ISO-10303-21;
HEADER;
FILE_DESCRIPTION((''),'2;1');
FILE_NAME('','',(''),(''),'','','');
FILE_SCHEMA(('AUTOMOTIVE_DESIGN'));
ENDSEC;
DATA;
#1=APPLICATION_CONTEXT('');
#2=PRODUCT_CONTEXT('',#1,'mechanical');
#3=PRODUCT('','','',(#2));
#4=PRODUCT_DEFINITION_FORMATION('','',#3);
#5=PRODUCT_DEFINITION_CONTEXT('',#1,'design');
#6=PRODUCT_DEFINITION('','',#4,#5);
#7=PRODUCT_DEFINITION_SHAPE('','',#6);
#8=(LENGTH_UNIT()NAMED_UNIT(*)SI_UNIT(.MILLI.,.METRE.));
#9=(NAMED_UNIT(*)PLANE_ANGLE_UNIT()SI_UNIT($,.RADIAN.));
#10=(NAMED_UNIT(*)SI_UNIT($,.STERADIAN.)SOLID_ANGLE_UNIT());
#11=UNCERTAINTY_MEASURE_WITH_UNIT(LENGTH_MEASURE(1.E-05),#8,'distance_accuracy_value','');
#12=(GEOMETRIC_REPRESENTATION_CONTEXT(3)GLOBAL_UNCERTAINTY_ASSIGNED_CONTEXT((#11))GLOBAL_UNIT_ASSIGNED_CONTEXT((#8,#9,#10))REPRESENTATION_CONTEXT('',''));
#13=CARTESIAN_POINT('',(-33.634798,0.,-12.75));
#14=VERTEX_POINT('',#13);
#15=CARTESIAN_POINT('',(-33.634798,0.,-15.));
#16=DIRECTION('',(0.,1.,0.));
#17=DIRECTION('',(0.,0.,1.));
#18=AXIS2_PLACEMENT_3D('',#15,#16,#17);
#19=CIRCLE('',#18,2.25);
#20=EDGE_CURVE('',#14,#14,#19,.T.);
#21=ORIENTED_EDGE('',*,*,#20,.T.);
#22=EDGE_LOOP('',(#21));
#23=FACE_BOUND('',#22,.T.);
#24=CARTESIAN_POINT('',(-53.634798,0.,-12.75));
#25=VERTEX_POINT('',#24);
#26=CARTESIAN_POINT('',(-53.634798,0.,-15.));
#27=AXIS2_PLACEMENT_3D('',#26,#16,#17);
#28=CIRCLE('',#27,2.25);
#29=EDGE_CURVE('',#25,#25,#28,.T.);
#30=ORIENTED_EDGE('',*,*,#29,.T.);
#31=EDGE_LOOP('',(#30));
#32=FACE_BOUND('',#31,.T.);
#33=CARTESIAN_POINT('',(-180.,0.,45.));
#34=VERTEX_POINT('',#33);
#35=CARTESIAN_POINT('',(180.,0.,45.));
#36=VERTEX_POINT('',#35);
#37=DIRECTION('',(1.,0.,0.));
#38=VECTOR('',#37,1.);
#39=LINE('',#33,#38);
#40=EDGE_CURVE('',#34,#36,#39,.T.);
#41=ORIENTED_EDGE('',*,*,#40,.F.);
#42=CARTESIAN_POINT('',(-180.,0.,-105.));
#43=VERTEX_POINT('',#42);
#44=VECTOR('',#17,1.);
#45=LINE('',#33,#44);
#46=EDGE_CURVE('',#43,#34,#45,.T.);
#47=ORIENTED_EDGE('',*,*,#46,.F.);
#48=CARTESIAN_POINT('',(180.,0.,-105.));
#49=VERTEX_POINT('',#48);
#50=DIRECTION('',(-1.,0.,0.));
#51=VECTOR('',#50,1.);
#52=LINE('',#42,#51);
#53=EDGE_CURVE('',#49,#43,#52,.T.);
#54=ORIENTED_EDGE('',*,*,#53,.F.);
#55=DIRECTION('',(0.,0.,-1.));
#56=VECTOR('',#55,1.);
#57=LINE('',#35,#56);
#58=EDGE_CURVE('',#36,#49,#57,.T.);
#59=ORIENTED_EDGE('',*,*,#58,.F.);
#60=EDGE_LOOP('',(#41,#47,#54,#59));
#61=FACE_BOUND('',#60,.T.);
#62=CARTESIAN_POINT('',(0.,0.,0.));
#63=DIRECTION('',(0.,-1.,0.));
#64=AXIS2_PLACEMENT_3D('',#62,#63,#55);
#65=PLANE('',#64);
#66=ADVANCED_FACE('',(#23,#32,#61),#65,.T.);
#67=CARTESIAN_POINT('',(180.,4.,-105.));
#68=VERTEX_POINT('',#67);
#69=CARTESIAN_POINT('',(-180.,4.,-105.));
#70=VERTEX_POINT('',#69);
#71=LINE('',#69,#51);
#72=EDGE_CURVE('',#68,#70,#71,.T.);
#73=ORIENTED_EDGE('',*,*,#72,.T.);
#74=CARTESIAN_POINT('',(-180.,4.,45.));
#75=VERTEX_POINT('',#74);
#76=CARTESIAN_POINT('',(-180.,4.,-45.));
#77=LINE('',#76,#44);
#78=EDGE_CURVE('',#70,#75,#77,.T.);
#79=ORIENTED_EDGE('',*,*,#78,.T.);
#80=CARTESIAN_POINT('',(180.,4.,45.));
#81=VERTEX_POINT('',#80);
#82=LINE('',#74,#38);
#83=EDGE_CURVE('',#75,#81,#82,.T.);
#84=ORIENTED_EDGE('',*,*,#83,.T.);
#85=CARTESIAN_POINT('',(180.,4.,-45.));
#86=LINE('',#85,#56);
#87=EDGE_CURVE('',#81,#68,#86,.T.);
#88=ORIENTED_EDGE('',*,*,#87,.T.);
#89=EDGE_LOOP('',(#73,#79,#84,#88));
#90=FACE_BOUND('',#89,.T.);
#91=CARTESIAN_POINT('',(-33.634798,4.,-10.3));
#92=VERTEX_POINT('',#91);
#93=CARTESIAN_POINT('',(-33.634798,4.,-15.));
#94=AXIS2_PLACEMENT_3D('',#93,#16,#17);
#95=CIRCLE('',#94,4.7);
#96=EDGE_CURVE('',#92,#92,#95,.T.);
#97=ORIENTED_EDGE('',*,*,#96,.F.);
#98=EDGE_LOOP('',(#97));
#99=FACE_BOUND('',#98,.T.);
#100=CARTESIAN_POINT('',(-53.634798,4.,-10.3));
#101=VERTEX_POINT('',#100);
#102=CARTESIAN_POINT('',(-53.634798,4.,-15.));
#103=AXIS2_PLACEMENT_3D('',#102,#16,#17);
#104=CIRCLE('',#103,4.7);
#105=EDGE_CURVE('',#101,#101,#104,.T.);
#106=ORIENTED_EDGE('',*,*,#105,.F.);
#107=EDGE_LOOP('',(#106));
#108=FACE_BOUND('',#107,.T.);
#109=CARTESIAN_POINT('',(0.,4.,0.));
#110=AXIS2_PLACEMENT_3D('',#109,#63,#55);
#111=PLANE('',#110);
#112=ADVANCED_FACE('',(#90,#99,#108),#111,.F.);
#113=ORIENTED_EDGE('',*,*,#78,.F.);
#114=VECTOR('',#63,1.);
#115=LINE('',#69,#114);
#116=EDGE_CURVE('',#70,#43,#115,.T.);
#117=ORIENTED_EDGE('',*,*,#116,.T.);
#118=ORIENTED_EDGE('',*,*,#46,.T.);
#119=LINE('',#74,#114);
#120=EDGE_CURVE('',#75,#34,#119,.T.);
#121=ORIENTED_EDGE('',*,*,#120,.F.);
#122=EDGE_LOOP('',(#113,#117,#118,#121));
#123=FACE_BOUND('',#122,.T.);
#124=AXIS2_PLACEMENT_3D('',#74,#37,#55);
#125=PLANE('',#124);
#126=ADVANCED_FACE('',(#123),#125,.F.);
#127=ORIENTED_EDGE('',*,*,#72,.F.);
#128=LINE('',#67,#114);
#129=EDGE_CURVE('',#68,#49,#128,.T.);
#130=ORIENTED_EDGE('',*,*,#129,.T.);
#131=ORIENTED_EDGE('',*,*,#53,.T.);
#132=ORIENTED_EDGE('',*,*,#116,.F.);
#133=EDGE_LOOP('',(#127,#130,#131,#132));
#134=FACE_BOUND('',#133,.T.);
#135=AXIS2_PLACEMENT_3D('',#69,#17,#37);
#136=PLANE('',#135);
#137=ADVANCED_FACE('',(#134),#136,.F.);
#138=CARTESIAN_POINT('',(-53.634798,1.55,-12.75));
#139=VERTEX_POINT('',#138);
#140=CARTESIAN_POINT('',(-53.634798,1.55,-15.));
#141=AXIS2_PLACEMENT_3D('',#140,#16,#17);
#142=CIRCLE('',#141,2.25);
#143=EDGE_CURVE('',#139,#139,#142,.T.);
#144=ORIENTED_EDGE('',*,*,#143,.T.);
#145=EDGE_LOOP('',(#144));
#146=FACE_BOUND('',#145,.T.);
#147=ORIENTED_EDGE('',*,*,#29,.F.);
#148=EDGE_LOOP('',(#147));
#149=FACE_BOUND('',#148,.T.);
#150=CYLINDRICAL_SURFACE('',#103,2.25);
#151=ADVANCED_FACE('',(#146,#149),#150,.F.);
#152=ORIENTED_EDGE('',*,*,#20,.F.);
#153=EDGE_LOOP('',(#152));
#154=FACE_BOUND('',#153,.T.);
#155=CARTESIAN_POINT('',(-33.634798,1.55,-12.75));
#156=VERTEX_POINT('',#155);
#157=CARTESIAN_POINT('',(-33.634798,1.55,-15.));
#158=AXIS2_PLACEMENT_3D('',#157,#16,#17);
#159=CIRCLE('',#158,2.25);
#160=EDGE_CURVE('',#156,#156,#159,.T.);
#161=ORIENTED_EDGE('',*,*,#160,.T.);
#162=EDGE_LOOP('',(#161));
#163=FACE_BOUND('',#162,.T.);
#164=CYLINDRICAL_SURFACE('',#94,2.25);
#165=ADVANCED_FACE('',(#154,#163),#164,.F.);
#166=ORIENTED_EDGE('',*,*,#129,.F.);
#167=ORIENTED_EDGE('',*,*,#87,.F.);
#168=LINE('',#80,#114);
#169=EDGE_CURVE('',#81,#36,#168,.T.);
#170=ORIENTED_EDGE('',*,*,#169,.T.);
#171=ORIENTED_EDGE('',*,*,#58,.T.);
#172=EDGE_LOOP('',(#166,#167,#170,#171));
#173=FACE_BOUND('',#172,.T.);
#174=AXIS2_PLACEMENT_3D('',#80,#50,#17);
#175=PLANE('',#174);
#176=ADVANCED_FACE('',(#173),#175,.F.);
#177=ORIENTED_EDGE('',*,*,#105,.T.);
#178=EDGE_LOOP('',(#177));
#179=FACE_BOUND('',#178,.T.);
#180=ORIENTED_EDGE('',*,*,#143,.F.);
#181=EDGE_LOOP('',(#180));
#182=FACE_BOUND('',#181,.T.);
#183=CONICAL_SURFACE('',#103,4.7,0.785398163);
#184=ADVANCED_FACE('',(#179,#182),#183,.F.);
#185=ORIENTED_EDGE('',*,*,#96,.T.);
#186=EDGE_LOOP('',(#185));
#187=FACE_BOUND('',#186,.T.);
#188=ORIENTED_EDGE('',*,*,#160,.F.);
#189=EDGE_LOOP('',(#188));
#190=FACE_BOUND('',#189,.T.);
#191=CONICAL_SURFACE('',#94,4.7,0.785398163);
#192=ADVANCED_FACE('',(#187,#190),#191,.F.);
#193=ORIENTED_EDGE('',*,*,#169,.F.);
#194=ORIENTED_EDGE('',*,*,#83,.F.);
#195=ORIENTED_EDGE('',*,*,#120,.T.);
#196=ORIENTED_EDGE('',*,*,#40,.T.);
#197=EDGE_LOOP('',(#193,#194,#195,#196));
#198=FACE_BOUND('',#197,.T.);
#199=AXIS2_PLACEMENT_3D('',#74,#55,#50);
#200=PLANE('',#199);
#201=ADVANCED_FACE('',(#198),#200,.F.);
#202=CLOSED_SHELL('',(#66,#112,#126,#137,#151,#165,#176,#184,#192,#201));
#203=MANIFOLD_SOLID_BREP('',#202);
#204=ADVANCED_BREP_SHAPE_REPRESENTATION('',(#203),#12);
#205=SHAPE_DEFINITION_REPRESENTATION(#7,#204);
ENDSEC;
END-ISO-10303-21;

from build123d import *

# Parameters (mm, degrees)
BOSS_EXTRUDE1_DEPTH                          = 4
CSK_FOR_M4_COUNTERSUNK_FLAT_HEAD_SCR_2_COUNT = 2
CSK_FOR_M4_COUNTERSUNK_FLAT_HEAD_SCR_2_PITCH = 20


with BuildPart() as part:
    # Sketch1 → Boss-Extrude1 (new body)
    with BuildSketch(Plane(origin=(0, 0, 0), x_dir=(1, 0, 0), z_dir=(0, 1, 0))):
        Polygon((-180, -45), (180, -45), (180, 45), (180, 105), (-180, 105), (-180, 45), align=None)
    extrude(amount=BOSS_EXTRUDE1_DEPTH)

    # Sketch4 → CSK for M4 Countersunk Flat Head Screw1 (revolve, cut)
    with BuildSketch(Plane(origin=(-53.634798041, 4, -15), x_dir=(0, 0, 1), z_dir=(1, 0, 0))):
        Polygon((0, 0), (0, 4), (2.25, 4), (2.25, 2.45), (4.7, 0), align=None)
    csk_for_m4_countersunk_flat_head_screw1 = revolve(axis=Axis((-53.634798041, 10.35, -15), (0, -1, 0)), mode=Mode.SUBTRACT)

    # CSK for M4 Countersunk Flat Head Scr 2: CSK for M4 Countersunk Flat Head Screw1 ×2
    with Locations(*[(i * CSK_FOR_M4_COUNTERSUNK_FLAT_HEAD_SCR_2_PITCH, 0, 0) for i in range(1, CSK_FOR_M4_COUNTERSUNK_FLAT_HEAD_SCR_2_COUNT)]):
        add(csk_for_m4_countersunk_flat_head_screw1, mode=Mode.SUBTRACT)


solid = part.part
